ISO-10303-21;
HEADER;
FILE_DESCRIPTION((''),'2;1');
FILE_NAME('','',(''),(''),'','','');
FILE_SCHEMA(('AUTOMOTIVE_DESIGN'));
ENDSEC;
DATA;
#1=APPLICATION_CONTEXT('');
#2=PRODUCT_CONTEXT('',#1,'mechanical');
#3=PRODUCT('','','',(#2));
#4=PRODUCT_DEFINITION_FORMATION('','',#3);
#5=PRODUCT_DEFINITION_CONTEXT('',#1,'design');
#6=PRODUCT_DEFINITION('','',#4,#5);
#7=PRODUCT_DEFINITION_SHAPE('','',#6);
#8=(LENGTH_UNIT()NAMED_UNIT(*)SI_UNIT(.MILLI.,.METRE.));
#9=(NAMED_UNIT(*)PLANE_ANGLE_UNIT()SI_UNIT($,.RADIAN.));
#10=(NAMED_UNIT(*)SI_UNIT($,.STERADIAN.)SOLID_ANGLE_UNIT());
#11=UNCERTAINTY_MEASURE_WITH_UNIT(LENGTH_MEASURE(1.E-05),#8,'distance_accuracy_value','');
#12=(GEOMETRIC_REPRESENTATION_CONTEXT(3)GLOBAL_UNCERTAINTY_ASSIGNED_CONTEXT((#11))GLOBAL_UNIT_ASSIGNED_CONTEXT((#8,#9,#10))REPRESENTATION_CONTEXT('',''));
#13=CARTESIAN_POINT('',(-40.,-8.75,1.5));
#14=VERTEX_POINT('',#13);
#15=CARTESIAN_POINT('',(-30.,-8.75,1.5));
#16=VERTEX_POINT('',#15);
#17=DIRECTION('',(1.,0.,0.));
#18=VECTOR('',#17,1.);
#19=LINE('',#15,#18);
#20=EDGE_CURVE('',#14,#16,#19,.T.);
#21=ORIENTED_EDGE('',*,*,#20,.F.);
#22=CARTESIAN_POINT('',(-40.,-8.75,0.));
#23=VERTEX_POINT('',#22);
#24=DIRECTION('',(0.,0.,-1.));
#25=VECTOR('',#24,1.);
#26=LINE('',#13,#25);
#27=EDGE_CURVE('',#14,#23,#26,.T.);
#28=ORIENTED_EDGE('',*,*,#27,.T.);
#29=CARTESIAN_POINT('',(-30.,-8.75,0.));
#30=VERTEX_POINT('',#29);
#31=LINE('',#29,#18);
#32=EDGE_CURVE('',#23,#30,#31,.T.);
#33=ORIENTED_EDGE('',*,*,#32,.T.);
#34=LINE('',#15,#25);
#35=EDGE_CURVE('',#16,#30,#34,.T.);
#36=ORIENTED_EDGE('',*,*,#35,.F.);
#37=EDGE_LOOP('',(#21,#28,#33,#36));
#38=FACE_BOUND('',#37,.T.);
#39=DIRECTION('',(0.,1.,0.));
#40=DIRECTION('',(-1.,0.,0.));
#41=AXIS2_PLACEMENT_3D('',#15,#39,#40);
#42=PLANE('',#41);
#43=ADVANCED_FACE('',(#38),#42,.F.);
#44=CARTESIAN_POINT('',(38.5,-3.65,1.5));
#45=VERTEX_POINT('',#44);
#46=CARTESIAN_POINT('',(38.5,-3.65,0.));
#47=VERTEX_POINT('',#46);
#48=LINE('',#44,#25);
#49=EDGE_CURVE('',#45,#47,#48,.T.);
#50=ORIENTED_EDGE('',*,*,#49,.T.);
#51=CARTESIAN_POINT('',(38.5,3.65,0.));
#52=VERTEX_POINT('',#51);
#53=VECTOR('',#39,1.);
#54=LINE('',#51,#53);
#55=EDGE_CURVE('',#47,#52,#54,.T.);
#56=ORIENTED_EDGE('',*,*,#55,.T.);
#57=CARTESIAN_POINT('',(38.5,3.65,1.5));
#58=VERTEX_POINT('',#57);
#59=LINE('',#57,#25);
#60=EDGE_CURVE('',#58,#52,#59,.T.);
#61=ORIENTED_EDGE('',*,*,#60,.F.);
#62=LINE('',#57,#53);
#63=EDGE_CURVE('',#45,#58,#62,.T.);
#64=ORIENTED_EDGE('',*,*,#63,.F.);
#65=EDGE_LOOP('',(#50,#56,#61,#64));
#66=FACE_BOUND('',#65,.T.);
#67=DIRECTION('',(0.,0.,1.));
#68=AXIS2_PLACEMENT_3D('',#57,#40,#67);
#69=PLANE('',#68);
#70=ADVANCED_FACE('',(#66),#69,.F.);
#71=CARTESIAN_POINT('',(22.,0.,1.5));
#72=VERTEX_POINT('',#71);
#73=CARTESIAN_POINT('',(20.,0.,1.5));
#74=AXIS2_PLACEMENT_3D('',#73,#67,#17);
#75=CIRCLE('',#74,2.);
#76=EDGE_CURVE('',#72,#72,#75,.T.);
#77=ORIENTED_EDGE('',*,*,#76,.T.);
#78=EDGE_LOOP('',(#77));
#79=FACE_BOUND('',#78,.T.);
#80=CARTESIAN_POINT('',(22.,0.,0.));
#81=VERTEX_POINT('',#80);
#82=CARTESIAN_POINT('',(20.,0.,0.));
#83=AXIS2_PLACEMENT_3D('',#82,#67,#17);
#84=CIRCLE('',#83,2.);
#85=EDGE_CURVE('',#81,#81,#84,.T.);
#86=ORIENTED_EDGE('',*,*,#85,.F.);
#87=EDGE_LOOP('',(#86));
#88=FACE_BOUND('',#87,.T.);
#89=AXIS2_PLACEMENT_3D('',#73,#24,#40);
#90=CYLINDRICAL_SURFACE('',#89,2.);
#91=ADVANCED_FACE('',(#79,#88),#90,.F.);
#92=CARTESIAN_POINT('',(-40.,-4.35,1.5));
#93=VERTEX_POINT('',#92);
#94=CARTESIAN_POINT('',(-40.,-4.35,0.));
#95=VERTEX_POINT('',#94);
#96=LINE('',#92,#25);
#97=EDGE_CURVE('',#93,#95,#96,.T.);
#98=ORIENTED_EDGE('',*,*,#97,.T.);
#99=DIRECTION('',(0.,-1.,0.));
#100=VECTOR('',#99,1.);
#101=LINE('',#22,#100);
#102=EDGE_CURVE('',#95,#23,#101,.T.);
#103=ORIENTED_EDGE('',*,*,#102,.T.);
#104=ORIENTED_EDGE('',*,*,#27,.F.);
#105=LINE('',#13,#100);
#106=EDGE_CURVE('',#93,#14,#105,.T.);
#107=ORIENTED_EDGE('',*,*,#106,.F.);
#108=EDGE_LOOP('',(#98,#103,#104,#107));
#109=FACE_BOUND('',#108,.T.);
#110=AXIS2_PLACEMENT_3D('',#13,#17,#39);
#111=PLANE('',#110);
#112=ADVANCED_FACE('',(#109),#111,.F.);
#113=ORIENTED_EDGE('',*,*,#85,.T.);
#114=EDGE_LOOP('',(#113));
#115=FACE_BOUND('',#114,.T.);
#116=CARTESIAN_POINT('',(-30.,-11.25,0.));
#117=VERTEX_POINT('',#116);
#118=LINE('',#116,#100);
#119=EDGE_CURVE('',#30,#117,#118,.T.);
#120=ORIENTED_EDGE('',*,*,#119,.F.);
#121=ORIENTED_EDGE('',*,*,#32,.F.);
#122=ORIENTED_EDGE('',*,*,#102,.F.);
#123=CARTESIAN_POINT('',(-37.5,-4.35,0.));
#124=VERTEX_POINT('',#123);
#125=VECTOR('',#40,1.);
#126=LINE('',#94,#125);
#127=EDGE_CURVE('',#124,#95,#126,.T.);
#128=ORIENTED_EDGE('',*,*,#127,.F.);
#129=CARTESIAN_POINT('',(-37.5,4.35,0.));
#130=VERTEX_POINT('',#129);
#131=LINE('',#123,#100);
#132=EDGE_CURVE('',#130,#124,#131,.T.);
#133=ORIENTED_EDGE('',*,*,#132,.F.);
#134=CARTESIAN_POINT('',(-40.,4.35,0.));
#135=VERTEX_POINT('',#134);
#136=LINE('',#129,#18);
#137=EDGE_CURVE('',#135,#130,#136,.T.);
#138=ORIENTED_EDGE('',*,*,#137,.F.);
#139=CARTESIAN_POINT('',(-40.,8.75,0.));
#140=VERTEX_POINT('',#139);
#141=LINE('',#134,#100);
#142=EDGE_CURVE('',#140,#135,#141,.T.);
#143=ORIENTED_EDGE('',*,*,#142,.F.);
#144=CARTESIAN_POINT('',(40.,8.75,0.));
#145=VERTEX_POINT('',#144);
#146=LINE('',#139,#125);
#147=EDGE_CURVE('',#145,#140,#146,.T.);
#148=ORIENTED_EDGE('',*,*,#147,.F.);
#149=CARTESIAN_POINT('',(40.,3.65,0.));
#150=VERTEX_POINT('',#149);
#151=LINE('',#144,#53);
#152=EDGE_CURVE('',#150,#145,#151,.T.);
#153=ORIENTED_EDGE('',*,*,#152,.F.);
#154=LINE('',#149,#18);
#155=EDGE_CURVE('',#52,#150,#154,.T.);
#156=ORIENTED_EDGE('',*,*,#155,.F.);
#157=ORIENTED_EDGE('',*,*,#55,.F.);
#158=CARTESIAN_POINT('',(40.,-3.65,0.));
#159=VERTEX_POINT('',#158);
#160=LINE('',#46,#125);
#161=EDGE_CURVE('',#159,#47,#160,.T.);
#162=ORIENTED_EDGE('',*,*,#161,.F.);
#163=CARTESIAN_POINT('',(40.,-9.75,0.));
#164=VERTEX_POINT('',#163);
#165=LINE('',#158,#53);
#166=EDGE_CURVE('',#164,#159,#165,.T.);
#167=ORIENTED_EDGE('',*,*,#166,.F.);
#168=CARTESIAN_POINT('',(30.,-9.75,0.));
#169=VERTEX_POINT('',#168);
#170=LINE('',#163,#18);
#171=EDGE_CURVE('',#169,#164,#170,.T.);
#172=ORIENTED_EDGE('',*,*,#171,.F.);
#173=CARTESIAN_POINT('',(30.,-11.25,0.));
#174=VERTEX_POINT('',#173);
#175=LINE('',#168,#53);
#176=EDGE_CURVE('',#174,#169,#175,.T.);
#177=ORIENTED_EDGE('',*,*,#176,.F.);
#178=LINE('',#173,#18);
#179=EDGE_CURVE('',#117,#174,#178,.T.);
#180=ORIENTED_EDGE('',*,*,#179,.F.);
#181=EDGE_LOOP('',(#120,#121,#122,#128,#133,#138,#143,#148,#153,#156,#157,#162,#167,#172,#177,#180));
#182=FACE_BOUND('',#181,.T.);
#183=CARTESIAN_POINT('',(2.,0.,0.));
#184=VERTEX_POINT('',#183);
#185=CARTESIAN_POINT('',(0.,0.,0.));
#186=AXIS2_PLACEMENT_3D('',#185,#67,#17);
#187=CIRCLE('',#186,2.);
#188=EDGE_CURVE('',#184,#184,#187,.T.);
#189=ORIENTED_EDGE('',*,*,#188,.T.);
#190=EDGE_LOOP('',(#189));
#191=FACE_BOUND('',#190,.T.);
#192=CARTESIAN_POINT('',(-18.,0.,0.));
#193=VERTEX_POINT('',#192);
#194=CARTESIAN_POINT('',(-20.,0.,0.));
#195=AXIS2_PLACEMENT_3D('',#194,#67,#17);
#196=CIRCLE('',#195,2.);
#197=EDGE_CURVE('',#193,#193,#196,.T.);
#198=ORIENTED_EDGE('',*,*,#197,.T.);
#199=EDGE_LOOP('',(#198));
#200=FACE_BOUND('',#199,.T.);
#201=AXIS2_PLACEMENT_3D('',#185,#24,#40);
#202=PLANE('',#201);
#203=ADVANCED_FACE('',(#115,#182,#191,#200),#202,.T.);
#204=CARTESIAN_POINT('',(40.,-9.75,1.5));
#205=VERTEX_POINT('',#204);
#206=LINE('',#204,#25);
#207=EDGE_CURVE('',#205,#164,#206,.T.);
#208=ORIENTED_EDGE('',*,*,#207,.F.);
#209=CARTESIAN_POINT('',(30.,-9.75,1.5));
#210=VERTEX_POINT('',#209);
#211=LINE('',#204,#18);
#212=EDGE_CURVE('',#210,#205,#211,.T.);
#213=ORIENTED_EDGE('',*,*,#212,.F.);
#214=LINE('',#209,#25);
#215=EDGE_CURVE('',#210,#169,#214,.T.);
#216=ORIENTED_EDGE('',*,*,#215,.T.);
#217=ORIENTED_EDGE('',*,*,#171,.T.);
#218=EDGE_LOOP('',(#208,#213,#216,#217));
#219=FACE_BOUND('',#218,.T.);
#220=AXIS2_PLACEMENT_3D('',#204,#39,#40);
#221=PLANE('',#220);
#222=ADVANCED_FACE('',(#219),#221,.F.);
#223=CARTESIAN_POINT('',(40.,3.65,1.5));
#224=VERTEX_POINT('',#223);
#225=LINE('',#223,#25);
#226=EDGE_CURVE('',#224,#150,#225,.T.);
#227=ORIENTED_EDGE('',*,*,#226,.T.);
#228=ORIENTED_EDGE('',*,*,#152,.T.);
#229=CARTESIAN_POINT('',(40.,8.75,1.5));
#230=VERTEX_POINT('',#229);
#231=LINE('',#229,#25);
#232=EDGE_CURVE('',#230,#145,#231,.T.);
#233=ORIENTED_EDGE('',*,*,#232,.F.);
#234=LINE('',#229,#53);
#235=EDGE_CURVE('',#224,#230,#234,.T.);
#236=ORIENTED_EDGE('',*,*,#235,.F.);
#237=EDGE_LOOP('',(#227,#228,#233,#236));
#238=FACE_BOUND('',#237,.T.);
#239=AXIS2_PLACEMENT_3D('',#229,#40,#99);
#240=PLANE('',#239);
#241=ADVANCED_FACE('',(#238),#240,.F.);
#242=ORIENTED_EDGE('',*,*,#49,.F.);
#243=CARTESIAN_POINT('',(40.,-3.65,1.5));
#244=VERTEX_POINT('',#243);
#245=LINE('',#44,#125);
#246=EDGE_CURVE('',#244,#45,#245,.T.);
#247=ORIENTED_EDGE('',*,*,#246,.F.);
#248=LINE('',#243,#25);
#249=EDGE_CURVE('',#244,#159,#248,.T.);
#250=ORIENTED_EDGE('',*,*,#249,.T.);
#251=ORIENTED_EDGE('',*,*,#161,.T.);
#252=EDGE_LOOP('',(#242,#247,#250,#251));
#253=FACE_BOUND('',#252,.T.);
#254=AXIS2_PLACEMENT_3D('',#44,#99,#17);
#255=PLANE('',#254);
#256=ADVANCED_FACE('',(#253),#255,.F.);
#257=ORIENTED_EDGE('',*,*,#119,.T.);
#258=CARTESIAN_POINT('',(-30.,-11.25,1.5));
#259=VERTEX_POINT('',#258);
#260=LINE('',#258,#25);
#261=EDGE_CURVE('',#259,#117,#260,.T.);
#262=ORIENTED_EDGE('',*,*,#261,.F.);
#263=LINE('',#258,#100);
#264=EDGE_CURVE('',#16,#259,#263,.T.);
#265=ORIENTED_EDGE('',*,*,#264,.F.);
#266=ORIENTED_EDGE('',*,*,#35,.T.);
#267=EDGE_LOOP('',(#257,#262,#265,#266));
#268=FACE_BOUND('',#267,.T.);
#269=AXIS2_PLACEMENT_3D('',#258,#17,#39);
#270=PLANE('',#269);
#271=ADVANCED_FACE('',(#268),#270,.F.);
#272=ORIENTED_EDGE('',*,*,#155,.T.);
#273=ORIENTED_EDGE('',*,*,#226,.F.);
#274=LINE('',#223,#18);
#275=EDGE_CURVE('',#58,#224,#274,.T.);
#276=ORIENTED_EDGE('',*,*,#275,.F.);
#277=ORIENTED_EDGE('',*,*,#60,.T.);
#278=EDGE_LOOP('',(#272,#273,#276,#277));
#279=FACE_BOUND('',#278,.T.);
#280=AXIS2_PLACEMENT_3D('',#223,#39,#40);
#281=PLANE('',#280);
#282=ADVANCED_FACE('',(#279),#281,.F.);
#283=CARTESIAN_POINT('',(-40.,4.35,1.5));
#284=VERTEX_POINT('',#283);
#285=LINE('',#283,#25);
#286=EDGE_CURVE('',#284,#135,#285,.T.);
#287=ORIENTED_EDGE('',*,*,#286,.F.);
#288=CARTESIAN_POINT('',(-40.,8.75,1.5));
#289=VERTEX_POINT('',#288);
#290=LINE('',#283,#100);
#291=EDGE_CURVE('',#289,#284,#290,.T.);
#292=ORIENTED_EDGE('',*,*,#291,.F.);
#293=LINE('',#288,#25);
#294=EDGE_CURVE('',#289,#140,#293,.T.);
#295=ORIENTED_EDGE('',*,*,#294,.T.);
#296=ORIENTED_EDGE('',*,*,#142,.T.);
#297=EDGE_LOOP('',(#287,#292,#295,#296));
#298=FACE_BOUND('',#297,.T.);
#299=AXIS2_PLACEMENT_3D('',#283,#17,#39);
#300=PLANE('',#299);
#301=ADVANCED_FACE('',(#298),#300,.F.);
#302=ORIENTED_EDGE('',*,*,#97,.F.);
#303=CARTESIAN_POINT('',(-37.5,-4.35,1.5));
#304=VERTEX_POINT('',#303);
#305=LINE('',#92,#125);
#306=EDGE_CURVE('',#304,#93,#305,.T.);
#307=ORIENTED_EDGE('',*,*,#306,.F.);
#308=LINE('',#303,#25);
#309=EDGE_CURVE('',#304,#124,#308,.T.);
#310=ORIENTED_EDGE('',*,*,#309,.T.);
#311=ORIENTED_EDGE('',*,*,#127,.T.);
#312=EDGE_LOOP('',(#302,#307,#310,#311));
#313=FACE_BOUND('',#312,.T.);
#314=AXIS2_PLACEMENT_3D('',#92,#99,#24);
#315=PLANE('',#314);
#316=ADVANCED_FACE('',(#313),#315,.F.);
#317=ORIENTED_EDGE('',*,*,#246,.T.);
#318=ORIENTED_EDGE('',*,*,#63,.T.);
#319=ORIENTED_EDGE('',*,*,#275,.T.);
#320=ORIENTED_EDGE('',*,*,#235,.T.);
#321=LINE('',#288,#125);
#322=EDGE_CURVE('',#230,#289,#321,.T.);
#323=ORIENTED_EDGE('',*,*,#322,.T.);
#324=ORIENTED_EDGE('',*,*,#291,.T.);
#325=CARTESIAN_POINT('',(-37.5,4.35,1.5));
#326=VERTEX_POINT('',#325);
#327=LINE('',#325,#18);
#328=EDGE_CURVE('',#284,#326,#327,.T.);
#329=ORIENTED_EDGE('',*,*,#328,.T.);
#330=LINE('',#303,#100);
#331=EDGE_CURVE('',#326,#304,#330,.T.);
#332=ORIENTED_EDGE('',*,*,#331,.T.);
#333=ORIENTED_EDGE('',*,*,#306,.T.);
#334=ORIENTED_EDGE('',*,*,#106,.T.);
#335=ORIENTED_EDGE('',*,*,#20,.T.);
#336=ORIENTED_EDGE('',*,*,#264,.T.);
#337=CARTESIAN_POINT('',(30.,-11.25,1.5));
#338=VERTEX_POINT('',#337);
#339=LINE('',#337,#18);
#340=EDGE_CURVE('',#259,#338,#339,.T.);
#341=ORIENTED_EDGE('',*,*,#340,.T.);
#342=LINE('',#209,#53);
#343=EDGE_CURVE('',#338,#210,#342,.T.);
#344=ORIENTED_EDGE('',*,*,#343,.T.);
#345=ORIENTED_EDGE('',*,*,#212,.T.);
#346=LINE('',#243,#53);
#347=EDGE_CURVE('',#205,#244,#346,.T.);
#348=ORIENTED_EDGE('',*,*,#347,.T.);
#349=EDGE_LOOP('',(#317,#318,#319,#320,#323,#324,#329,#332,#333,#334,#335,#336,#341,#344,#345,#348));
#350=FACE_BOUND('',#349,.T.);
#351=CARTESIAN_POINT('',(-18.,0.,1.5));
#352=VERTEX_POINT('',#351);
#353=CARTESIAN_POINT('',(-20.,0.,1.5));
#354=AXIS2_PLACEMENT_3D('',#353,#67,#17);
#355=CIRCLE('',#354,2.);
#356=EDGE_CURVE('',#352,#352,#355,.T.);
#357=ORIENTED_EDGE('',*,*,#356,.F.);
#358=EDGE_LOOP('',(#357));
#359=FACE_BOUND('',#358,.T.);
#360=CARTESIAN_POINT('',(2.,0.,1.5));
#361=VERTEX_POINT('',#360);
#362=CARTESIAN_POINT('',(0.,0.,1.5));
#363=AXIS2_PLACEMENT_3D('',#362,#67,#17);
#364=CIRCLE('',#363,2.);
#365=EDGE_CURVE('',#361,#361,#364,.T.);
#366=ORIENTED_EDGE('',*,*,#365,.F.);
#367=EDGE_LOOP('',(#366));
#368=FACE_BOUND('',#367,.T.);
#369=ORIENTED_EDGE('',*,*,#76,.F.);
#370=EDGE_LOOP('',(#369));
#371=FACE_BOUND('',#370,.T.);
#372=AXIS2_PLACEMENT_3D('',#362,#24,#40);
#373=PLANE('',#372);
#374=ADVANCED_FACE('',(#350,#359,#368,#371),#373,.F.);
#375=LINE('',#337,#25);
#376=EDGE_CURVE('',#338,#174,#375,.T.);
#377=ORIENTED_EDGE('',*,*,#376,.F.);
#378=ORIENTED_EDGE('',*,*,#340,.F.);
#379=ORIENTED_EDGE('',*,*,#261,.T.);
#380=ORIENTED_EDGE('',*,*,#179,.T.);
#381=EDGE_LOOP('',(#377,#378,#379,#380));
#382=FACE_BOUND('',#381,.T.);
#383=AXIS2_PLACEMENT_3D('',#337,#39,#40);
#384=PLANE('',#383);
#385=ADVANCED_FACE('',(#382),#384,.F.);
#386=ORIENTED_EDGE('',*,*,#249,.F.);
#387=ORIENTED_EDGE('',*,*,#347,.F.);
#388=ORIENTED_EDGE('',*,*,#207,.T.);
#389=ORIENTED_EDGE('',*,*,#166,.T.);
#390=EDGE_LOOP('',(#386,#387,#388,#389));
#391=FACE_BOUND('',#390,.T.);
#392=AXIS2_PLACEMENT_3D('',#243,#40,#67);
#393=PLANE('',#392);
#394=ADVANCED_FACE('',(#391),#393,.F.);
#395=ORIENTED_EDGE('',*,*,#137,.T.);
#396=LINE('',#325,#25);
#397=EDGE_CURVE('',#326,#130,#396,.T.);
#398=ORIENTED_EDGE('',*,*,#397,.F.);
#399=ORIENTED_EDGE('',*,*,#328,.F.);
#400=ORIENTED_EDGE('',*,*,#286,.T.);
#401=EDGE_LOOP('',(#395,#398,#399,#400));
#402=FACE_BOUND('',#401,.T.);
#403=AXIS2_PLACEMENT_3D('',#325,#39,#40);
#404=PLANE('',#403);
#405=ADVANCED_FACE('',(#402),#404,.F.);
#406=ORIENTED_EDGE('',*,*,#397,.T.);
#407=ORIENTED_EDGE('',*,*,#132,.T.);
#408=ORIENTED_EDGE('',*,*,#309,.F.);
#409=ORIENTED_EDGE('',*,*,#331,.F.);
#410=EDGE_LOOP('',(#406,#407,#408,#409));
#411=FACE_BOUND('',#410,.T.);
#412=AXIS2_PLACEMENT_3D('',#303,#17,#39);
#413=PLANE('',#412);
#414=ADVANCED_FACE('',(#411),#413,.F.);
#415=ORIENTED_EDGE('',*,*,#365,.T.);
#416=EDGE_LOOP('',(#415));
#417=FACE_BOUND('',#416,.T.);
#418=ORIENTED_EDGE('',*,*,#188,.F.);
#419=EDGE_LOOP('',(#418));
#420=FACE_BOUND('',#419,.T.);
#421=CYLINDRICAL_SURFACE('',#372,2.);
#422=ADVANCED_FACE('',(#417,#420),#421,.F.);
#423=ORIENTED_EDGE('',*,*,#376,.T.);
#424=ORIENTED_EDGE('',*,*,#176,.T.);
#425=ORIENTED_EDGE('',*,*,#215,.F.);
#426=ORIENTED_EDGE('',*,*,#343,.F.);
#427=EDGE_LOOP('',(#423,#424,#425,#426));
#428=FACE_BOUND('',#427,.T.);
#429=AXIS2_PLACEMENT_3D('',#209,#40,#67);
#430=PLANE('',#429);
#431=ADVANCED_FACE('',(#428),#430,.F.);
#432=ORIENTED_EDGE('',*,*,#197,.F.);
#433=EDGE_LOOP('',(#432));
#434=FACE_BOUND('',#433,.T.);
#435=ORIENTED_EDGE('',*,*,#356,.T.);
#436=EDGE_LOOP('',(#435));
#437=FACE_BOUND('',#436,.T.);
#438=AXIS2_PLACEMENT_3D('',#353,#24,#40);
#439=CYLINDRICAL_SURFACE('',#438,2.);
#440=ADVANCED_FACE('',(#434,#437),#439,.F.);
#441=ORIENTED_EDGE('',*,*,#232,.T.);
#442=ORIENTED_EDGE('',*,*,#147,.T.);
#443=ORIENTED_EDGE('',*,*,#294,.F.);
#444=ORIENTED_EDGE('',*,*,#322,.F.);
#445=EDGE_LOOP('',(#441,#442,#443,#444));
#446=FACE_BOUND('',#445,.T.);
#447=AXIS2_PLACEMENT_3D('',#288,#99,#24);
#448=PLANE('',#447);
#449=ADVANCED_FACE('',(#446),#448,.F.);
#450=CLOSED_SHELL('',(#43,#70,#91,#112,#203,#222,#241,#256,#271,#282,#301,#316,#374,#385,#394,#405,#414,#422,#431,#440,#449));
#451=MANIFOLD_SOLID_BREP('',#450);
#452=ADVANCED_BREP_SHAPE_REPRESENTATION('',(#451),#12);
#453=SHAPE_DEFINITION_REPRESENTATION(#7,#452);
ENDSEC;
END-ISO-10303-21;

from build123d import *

# Parameters (mm, degrees)
CROQUIS1_R              = 2
SALIENTE_EXTRUIR1_DEPTH = 1.5


with BuildPart() as part:
    # Croquis1 → Saliente-Extruir1 (new body)
    with BuildSketch(Plane.XY):
        Polygon((-40, 8.75), (40, 8.75), (40, 3.65), (38.5, 3.65), (38.5, -3.65), (40, -3.65), (40, -9.75), (30, -9.75), (30, -11.25), (-30, -11.25), (-30, -8.75), (-40, -8.75), (-40, -4.35), (-37.5, -4.35), (-37.5, 4.35), (-40, 4.35), align=None)
        with Locations((20, 0)):
            Circle(CROQUIS1_R, mode=Mode.SUBTRACT)
        Circle(CROQUIS1_R, mode=Mode.SUBTRACT)
        with Locations((-20, 0)):
            Circle(CROQUIS1_R, mode=Mode.SUBTRACT)
    extrude(amount=SALIENTE_EXTRUIR1_DEPTH)


solid = part.part
